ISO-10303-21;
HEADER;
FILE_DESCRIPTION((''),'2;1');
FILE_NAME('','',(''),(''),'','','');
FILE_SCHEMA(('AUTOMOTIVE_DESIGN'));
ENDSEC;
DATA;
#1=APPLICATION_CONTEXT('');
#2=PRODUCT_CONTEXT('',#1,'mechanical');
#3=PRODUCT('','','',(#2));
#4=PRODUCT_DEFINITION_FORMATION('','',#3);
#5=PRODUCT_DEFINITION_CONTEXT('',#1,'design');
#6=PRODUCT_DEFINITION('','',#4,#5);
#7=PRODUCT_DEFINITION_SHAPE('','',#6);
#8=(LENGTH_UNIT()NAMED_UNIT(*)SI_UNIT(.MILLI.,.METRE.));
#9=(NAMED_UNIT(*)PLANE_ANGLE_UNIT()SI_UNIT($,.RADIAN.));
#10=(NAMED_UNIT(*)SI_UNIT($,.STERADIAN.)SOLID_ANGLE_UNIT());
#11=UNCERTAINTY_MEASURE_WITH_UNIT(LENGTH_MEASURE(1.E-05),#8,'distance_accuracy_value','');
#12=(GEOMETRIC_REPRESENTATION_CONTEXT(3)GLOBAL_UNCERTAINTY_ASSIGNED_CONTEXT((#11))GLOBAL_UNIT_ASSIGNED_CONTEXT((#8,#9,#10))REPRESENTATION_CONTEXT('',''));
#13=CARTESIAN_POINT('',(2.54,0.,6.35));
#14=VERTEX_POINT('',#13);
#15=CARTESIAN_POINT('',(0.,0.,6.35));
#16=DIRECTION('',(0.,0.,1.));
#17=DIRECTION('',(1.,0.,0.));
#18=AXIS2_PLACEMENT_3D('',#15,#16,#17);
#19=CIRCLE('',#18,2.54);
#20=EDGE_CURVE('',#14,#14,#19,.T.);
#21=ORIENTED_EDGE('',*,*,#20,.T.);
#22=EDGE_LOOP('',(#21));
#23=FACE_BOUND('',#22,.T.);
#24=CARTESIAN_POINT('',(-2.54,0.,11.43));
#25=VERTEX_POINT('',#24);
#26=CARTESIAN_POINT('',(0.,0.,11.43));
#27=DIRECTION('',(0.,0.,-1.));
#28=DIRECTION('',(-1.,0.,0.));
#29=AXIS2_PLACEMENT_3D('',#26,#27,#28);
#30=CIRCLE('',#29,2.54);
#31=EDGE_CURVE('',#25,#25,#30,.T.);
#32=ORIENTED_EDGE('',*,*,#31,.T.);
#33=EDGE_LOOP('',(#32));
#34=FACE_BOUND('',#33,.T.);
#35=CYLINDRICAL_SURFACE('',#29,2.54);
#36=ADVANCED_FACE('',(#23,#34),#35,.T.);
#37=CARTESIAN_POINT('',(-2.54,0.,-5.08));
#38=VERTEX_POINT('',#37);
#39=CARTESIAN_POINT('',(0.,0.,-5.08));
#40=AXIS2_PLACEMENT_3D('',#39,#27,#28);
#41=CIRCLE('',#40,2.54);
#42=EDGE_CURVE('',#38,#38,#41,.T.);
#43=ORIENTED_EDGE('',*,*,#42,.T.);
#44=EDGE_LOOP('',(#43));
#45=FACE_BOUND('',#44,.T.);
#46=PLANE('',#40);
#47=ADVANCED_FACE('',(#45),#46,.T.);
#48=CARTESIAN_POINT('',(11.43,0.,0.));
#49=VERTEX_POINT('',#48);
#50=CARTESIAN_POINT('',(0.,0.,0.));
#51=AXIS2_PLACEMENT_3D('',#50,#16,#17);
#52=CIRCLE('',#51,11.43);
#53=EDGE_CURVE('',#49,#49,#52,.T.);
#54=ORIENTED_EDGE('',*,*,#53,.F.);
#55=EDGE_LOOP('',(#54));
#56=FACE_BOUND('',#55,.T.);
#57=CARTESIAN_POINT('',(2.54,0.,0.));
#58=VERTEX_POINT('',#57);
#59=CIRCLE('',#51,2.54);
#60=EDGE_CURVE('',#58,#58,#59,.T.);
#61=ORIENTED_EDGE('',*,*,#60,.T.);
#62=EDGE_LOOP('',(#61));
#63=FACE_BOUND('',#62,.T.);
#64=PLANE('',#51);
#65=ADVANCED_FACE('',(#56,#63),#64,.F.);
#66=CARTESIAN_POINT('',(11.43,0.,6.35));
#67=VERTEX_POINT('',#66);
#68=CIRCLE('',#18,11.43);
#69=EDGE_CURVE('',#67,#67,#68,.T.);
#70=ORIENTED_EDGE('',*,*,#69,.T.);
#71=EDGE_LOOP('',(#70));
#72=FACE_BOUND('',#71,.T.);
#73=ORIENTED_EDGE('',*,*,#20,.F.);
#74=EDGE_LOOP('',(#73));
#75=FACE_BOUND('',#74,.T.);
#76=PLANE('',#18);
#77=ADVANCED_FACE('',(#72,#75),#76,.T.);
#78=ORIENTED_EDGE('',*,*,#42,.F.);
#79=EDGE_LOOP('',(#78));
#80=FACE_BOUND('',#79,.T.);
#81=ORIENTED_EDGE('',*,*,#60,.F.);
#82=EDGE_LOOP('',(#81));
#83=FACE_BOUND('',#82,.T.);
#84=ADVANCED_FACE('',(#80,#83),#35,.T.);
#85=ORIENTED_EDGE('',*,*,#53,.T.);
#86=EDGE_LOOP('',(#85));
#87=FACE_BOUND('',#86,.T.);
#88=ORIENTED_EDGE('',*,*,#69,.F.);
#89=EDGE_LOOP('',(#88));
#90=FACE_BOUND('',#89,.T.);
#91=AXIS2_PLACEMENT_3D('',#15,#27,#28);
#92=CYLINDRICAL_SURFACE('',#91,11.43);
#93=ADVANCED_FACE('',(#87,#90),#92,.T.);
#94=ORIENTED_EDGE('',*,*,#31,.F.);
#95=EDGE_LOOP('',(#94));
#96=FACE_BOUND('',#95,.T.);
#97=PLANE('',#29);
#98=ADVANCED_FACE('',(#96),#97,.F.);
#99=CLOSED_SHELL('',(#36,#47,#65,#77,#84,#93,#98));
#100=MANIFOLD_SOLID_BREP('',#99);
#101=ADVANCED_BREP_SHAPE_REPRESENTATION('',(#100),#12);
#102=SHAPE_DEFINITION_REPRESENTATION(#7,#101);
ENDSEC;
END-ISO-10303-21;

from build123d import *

# Parameters (mm, degrees)
SKETCH1_R          = 11.43
MAIN_BODY_DEPTH    = 6.35
NIBBLES_DEPTH      = 5.08
NIBBLES_DEPTH_BACK = 11.43
SKETCH13_R         = 2.54


with BuildPart() as part:
    # Sketch1 → main body (new body)
    with BuildSketch(Plane.XY):
        Circle(SKETCH1_R)
    extrude(amount=MAIN_BODY_DEPTH)

    # Sketch13 → nibbles (add, two sides: drawn at the far end of the back side and taken through both)
    with BuildSketch(Plane(origin=(0, 0, 0), x_dir=(-1, 0, 0), z_dir=(0, 0, -1)).offset(-NIBBLES_DEPTH_BACK)):
        Circle(SKETCH13_R)
    extrude(amount=NIBBLES_DEPTH + NIBBLES_DEPTH_BACK)


solid = part.part
